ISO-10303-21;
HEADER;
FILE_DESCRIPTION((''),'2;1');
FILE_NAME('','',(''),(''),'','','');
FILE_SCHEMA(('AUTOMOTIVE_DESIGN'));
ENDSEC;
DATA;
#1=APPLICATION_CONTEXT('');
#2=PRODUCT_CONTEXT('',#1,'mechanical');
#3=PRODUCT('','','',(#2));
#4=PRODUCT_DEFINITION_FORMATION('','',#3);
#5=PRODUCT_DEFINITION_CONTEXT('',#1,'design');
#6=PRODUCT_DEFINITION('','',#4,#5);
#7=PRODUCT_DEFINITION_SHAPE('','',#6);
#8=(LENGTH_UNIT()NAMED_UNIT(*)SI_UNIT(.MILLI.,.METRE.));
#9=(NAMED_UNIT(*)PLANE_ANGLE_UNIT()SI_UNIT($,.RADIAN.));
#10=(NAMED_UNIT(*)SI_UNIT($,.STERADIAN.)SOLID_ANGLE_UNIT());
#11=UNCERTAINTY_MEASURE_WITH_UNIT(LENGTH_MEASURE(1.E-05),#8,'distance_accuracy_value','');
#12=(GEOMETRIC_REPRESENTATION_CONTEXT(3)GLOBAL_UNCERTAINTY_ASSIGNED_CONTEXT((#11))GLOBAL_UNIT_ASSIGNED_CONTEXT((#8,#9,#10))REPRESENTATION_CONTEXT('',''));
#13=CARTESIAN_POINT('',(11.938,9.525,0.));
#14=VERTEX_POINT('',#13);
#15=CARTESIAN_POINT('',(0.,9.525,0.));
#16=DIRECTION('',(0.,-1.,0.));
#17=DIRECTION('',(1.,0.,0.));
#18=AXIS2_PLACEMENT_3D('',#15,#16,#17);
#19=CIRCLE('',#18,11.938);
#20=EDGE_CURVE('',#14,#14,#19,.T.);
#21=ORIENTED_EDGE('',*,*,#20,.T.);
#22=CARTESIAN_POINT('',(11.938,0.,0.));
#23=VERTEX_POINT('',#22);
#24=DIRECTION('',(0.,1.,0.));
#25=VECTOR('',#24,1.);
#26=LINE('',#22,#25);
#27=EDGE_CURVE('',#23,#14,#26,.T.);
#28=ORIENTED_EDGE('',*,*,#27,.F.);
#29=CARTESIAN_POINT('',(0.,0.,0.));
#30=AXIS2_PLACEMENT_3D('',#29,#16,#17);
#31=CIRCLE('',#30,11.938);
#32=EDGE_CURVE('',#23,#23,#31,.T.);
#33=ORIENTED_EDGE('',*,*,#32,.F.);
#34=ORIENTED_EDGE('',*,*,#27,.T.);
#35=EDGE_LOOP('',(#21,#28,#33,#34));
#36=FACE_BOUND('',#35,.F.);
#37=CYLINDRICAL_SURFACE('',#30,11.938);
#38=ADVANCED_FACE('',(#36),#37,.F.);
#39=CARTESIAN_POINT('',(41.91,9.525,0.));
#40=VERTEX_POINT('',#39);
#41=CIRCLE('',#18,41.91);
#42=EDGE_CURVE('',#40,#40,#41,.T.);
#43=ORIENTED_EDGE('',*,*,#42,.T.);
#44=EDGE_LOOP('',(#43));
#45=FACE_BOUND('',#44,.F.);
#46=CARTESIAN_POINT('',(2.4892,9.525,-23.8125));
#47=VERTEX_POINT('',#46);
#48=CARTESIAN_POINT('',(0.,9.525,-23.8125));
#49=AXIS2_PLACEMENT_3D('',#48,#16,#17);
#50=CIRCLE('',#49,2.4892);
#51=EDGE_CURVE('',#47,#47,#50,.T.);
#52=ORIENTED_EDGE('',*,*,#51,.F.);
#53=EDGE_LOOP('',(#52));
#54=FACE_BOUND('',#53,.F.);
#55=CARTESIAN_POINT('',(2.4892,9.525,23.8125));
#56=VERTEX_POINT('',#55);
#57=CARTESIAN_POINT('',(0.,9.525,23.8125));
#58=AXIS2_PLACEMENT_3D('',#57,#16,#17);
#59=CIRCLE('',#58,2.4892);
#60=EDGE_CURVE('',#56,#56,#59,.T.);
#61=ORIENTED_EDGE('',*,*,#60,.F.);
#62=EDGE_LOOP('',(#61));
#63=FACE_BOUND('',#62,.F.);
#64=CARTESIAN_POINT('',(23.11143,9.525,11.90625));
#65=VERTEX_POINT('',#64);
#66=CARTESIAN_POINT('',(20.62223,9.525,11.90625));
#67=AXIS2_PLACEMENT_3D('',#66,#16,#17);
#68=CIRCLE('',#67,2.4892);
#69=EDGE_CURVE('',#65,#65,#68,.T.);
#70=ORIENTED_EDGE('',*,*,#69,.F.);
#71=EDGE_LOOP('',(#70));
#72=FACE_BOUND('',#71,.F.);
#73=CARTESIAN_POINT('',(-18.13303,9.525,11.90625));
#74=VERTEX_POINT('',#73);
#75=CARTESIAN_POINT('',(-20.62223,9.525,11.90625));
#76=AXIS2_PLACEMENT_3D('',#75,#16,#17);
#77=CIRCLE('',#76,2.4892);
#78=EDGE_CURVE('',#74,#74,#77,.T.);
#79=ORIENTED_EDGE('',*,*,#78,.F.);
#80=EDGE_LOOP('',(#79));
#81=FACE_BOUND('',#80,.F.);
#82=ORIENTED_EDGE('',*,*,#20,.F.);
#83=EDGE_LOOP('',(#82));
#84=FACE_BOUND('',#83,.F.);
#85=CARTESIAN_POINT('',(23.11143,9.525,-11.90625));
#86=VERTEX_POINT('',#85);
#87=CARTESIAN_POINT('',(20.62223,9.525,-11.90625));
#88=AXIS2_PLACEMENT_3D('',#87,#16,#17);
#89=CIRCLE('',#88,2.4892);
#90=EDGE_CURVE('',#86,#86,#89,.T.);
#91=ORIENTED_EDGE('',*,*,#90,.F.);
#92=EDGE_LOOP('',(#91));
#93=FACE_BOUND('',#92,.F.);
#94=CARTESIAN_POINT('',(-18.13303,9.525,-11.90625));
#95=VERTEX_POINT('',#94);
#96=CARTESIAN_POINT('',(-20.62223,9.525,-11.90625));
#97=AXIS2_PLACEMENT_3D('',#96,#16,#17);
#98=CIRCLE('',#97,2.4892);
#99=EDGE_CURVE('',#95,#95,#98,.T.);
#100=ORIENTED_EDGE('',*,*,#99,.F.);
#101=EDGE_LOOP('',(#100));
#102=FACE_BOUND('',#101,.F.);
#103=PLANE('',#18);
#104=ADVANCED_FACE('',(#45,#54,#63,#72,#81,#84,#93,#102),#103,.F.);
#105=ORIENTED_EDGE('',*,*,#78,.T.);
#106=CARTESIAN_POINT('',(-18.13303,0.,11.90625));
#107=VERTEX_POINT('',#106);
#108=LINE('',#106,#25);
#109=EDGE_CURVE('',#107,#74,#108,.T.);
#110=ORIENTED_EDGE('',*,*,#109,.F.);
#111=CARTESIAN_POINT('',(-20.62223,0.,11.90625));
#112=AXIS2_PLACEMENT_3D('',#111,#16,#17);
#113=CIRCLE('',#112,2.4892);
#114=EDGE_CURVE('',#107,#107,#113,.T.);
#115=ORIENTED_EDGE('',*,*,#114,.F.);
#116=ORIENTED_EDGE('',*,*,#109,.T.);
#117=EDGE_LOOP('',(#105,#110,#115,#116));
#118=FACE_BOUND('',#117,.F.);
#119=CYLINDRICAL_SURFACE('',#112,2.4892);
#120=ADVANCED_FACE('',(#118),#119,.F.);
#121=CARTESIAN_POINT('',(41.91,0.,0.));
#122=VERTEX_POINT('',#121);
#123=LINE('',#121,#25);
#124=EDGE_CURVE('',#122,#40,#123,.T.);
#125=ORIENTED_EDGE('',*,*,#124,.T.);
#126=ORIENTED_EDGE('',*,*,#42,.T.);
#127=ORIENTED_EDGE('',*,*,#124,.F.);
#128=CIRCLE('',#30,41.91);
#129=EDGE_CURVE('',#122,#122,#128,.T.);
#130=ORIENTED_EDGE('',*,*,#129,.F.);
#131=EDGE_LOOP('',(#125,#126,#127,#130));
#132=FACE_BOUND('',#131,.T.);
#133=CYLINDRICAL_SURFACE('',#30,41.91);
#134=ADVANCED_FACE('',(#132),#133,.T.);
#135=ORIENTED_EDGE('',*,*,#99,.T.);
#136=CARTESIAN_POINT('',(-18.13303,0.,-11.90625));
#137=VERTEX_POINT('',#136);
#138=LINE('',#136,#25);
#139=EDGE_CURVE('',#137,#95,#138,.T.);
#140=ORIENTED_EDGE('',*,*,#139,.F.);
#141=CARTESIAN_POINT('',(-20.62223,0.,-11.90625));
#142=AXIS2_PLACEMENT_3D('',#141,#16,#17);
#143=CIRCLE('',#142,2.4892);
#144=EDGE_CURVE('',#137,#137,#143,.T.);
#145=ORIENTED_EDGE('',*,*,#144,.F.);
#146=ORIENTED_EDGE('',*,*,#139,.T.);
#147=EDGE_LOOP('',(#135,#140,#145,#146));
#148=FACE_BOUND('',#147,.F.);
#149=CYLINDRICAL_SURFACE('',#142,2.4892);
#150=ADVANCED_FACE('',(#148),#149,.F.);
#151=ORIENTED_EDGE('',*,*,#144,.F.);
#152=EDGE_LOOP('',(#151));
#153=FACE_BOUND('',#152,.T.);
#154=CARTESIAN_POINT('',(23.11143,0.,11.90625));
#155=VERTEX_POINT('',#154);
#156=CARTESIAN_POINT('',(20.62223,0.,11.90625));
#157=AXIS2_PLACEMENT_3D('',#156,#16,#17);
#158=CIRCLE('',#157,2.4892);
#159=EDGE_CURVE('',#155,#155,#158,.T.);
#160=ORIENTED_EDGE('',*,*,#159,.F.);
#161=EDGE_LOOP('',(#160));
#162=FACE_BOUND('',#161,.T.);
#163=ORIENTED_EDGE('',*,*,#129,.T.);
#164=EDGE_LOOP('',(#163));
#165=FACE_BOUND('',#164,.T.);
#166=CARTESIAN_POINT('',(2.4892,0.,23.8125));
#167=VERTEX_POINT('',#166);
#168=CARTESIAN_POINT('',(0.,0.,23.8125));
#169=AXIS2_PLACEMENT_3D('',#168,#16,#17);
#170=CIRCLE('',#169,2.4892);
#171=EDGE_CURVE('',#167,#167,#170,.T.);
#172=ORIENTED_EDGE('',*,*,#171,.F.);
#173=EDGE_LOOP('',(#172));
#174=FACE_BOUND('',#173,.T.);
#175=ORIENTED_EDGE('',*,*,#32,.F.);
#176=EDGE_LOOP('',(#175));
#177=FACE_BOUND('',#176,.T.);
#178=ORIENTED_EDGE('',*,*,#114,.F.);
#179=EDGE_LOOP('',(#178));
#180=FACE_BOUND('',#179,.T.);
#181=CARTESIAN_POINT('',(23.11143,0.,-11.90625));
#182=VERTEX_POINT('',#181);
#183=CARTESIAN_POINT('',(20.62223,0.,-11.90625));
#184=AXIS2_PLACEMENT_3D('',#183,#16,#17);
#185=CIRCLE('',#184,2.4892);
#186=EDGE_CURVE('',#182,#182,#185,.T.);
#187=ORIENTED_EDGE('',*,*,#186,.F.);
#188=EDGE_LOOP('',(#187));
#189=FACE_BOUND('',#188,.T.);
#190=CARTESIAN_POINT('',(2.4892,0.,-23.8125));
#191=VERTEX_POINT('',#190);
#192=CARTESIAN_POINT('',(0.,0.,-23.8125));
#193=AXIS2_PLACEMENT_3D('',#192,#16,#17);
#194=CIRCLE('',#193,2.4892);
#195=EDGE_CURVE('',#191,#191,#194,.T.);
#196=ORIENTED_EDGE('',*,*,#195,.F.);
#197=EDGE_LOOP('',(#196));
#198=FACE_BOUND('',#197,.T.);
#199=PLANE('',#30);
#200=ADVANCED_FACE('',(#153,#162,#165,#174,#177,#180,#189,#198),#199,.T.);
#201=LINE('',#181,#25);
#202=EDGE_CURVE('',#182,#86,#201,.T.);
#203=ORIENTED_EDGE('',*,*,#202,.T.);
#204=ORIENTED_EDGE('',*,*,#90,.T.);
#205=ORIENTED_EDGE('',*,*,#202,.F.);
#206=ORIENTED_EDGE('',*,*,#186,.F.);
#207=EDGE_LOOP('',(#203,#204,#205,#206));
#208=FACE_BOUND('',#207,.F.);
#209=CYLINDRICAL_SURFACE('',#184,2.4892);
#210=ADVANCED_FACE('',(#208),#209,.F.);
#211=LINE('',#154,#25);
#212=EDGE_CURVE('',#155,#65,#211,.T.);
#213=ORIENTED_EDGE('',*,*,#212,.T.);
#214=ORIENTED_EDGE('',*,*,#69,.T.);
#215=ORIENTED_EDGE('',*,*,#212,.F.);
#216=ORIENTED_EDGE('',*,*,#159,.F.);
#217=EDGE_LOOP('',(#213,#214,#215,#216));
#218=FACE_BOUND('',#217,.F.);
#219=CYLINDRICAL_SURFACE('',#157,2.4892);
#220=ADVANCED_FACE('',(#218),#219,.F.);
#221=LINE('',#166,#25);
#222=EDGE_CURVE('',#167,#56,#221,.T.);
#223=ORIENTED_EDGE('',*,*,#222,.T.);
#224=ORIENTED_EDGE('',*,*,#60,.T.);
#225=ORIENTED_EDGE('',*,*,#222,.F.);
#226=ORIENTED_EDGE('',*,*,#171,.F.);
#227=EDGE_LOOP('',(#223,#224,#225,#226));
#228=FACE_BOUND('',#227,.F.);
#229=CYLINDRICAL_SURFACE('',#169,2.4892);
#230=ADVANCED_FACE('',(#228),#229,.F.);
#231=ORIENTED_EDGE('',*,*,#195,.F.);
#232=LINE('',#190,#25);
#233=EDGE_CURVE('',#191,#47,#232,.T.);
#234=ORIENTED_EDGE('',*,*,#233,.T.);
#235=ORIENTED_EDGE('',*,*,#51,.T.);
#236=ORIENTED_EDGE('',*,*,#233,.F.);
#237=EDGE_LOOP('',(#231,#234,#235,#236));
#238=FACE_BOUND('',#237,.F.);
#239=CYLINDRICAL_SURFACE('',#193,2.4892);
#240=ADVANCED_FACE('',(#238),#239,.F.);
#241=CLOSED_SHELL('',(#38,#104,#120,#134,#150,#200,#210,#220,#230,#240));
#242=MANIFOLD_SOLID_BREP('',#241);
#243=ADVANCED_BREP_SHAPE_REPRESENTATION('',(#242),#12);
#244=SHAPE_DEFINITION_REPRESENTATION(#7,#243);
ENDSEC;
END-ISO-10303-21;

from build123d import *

# Parameters (mm, degrees)
SKETCH1_R           = 41.91
SKETCH1_R_2         = 2.4892
SKETCH1_R_3         = 11.938
BOSS_EXTRUDE1_DEPTH = 9.525


with BuildPart() as part:
    # Sketch1 → Boss-Extrude1 (new body)
    with BuildSketch(Plane.XZ):
        Circle(SKETCH1_R)
        with Locations((-20.622229928, -11.90625)):
            Circle(SKETCH1_R_2, mode=Mode.SUBTRACT)
        with Locations((-20.622229928, 11.90625)):
            Circle(SKETCH1_R_2, mode=Mode.SUBTRACT)
        with Locations((0, 23.8125)):
            Circle(SKETCH1_R_2, mode=Mode.SUBTRACT)
        with Locations((20.622229928, 11.90625)):
            Circle(SKETCH1_R_2, mode=Mode.SUBTRACT)
        with Locations((20.622229928, -11.90625)):
            Circle(SKETCH1_R_2, mode=Mode.SUBTRACT)
        Circle(SKETCH1_R_3, mode=Mode.SUBTRACT)
        with Locations((0, -23.8125)):
            Circle(SKETCH1_R_2, mode=Mode.SUBTRACT)
    extrude(amount=-BOSS_EXTRUDE1_DEPTH)


solid = part.part
